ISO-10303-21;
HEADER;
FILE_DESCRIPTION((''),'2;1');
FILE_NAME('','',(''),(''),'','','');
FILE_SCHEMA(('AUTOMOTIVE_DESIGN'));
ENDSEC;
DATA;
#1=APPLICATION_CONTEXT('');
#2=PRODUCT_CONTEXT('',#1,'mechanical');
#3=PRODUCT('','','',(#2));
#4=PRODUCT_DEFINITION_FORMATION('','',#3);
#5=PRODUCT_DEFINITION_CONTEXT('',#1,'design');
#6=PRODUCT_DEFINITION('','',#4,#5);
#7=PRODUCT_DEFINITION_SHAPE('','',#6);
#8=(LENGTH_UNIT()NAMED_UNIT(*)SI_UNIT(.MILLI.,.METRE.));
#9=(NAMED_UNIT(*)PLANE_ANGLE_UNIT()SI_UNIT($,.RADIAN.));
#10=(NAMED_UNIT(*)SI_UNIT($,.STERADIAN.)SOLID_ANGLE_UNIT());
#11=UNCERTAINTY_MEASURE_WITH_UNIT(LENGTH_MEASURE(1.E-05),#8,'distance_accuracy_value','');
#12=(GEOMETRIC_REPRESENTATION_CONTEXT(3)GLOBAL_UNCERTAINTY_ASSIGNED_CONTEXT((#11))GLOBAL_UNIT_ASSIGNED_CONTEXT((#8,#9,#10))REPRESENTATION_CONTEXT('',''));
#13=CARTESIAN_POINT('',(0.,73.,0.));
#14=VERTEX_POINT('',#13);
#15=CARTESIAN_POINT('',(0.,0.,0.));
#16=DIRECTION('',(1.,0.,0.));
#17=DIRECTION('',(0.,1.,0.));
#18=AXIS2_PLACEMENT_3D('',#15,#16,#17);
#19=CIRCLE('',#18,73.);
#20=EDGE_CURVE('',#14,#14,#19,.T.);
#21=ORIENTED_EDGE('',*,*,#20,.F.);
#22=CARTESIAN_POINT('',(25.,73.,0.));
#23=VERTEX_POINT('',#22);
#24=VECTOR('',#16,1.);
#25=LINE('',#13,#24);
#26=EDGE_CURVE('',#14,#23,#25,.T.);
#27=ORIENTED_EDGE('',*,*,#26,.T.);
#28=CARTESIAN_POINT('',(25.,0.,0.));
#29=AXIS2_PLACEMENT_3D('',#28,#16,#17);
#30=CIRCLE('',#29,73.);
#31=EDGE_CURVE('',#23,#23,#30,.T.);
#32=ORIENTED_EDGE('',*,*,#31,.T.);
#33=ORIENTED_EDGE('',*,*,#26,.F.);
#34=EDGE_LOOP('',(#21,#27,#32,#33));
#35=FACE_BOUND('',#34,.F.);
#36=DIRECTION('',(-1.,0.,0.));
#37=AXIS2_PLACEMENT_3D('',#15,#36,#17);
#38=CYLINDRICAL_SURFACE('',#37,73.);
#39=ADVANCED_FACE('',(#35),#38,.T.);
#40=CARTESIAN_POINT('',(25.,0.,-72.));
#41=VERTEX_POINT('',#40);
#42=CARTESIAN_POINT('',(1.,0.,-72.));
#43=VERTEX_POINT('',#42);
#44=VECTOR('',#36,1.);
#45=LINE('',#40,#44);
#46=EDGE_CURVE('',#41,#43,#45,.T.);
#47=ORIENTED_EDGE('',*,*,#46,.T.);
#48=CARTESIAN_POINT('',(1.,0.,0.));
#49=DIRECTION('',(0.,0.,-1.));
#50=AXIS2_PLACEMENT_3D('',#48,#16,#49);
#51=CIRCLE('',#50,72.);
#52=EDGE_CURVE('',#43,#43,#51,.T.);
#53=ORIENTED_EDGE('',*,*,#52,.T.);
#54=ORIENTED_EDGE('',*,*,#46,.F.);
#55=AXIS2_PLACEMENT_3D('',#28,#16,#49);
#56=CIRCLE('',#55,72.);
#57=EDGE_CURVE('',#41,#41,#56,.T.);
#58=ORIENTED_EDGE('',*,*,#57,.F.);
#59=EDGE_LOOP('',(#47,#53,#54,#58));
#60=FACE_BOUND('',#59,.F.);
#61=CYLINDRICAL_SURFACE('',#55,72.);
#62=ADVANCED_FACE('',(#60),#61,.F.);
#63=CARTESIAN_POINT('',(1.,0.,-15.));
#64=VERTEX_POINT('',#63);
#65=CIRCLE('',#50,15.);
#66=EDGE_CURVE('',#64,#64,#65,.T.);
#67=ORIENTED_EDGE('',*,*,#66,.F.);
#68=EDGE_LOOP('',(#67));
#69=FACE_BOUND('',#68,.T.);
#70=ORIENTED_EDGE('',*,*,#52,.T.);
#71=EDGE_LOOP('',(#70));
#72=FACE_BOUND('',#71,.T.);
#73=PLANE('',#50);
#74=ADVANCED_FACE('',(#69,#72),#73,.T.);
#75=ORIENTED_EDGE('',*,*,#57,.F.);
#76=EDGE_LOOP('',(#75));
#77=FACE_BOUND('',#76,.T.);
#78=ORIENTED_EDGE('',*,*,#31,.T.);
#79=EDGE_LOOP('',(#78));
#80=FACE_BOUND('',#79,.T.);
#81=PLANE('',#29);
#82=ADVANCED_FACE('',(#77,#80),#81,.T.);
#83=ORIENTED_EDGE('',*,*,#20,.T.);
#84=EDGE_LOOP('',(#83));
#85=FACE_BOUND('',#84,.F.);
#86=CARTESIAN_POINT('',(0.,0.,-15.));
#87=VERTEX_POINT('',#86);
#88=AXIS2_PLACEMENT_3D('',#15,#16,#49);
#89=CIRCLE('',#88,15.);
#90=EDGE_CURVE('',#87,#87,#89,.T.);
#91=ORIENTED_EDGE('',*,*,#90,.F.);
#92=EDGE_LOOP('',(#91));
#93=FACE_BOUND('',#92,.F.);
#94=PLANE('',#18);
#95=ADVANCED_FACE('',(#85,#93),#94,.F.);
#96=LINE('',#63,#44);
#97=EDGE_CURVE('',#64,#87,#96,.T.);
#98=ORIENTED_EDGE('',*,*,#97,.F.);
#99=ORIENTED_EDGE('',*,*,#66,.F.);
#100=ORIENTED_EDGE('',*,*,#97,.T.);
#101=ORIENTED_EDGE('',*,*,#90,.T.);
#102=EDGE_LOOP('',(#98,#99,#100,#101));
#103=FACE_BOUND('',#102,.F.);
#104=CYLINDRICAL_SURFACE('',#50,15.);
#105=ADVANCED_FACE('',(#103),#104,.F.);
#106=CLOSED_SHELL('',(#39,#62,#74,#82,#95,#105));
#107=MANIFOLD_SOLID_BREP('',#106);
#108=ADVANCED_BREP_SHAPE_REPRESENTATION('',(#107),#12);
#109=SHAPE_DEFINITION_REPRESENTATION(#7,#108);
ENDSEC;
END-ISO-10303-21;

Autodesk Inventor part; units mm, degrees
ref_plane "YZ Plane" through (0, 0, 0) normal (1, 0, 0) x (0, 1, 0)
ref_plane "XZ Plane" through (0, 0, 0) normal (0, 1, 0) x (-1, 0, 0)
ref_plane "XY Plane" through (0, 0, 0) normal (0, 0, 1) x (1, 0, 0)
sketch "Sketch1" plane through (0, 0, 0) normal (1, 0, 0) x (0, 1, 0)
  circle A0 centre (0, 0) radius 73
  dimension "d0" = 146
extrude "Extrusion1" add sketch "Sketch1" along normal blind 25
sketch "Sketch2" plane through (25, 0, 0) normal (1, 0, 0) x (0, 0, -1)
  circle A0 centre (0, 0) radius 72
  dimension "d3" = 144
extrude "Extrusion2" cut sketch "Sketch2" against normal blind 24
sketch "Sketch3" plane through (1, 0, 0) normal (1, 0, 0) x (0, 0, -1)
  circle A0 centre (0, 0) radius 15
  dimension "d6" = 30
extrude "Extrusion3" cut sketch "Sketch3" against normal blind 1
properties part number "Center Lid"
